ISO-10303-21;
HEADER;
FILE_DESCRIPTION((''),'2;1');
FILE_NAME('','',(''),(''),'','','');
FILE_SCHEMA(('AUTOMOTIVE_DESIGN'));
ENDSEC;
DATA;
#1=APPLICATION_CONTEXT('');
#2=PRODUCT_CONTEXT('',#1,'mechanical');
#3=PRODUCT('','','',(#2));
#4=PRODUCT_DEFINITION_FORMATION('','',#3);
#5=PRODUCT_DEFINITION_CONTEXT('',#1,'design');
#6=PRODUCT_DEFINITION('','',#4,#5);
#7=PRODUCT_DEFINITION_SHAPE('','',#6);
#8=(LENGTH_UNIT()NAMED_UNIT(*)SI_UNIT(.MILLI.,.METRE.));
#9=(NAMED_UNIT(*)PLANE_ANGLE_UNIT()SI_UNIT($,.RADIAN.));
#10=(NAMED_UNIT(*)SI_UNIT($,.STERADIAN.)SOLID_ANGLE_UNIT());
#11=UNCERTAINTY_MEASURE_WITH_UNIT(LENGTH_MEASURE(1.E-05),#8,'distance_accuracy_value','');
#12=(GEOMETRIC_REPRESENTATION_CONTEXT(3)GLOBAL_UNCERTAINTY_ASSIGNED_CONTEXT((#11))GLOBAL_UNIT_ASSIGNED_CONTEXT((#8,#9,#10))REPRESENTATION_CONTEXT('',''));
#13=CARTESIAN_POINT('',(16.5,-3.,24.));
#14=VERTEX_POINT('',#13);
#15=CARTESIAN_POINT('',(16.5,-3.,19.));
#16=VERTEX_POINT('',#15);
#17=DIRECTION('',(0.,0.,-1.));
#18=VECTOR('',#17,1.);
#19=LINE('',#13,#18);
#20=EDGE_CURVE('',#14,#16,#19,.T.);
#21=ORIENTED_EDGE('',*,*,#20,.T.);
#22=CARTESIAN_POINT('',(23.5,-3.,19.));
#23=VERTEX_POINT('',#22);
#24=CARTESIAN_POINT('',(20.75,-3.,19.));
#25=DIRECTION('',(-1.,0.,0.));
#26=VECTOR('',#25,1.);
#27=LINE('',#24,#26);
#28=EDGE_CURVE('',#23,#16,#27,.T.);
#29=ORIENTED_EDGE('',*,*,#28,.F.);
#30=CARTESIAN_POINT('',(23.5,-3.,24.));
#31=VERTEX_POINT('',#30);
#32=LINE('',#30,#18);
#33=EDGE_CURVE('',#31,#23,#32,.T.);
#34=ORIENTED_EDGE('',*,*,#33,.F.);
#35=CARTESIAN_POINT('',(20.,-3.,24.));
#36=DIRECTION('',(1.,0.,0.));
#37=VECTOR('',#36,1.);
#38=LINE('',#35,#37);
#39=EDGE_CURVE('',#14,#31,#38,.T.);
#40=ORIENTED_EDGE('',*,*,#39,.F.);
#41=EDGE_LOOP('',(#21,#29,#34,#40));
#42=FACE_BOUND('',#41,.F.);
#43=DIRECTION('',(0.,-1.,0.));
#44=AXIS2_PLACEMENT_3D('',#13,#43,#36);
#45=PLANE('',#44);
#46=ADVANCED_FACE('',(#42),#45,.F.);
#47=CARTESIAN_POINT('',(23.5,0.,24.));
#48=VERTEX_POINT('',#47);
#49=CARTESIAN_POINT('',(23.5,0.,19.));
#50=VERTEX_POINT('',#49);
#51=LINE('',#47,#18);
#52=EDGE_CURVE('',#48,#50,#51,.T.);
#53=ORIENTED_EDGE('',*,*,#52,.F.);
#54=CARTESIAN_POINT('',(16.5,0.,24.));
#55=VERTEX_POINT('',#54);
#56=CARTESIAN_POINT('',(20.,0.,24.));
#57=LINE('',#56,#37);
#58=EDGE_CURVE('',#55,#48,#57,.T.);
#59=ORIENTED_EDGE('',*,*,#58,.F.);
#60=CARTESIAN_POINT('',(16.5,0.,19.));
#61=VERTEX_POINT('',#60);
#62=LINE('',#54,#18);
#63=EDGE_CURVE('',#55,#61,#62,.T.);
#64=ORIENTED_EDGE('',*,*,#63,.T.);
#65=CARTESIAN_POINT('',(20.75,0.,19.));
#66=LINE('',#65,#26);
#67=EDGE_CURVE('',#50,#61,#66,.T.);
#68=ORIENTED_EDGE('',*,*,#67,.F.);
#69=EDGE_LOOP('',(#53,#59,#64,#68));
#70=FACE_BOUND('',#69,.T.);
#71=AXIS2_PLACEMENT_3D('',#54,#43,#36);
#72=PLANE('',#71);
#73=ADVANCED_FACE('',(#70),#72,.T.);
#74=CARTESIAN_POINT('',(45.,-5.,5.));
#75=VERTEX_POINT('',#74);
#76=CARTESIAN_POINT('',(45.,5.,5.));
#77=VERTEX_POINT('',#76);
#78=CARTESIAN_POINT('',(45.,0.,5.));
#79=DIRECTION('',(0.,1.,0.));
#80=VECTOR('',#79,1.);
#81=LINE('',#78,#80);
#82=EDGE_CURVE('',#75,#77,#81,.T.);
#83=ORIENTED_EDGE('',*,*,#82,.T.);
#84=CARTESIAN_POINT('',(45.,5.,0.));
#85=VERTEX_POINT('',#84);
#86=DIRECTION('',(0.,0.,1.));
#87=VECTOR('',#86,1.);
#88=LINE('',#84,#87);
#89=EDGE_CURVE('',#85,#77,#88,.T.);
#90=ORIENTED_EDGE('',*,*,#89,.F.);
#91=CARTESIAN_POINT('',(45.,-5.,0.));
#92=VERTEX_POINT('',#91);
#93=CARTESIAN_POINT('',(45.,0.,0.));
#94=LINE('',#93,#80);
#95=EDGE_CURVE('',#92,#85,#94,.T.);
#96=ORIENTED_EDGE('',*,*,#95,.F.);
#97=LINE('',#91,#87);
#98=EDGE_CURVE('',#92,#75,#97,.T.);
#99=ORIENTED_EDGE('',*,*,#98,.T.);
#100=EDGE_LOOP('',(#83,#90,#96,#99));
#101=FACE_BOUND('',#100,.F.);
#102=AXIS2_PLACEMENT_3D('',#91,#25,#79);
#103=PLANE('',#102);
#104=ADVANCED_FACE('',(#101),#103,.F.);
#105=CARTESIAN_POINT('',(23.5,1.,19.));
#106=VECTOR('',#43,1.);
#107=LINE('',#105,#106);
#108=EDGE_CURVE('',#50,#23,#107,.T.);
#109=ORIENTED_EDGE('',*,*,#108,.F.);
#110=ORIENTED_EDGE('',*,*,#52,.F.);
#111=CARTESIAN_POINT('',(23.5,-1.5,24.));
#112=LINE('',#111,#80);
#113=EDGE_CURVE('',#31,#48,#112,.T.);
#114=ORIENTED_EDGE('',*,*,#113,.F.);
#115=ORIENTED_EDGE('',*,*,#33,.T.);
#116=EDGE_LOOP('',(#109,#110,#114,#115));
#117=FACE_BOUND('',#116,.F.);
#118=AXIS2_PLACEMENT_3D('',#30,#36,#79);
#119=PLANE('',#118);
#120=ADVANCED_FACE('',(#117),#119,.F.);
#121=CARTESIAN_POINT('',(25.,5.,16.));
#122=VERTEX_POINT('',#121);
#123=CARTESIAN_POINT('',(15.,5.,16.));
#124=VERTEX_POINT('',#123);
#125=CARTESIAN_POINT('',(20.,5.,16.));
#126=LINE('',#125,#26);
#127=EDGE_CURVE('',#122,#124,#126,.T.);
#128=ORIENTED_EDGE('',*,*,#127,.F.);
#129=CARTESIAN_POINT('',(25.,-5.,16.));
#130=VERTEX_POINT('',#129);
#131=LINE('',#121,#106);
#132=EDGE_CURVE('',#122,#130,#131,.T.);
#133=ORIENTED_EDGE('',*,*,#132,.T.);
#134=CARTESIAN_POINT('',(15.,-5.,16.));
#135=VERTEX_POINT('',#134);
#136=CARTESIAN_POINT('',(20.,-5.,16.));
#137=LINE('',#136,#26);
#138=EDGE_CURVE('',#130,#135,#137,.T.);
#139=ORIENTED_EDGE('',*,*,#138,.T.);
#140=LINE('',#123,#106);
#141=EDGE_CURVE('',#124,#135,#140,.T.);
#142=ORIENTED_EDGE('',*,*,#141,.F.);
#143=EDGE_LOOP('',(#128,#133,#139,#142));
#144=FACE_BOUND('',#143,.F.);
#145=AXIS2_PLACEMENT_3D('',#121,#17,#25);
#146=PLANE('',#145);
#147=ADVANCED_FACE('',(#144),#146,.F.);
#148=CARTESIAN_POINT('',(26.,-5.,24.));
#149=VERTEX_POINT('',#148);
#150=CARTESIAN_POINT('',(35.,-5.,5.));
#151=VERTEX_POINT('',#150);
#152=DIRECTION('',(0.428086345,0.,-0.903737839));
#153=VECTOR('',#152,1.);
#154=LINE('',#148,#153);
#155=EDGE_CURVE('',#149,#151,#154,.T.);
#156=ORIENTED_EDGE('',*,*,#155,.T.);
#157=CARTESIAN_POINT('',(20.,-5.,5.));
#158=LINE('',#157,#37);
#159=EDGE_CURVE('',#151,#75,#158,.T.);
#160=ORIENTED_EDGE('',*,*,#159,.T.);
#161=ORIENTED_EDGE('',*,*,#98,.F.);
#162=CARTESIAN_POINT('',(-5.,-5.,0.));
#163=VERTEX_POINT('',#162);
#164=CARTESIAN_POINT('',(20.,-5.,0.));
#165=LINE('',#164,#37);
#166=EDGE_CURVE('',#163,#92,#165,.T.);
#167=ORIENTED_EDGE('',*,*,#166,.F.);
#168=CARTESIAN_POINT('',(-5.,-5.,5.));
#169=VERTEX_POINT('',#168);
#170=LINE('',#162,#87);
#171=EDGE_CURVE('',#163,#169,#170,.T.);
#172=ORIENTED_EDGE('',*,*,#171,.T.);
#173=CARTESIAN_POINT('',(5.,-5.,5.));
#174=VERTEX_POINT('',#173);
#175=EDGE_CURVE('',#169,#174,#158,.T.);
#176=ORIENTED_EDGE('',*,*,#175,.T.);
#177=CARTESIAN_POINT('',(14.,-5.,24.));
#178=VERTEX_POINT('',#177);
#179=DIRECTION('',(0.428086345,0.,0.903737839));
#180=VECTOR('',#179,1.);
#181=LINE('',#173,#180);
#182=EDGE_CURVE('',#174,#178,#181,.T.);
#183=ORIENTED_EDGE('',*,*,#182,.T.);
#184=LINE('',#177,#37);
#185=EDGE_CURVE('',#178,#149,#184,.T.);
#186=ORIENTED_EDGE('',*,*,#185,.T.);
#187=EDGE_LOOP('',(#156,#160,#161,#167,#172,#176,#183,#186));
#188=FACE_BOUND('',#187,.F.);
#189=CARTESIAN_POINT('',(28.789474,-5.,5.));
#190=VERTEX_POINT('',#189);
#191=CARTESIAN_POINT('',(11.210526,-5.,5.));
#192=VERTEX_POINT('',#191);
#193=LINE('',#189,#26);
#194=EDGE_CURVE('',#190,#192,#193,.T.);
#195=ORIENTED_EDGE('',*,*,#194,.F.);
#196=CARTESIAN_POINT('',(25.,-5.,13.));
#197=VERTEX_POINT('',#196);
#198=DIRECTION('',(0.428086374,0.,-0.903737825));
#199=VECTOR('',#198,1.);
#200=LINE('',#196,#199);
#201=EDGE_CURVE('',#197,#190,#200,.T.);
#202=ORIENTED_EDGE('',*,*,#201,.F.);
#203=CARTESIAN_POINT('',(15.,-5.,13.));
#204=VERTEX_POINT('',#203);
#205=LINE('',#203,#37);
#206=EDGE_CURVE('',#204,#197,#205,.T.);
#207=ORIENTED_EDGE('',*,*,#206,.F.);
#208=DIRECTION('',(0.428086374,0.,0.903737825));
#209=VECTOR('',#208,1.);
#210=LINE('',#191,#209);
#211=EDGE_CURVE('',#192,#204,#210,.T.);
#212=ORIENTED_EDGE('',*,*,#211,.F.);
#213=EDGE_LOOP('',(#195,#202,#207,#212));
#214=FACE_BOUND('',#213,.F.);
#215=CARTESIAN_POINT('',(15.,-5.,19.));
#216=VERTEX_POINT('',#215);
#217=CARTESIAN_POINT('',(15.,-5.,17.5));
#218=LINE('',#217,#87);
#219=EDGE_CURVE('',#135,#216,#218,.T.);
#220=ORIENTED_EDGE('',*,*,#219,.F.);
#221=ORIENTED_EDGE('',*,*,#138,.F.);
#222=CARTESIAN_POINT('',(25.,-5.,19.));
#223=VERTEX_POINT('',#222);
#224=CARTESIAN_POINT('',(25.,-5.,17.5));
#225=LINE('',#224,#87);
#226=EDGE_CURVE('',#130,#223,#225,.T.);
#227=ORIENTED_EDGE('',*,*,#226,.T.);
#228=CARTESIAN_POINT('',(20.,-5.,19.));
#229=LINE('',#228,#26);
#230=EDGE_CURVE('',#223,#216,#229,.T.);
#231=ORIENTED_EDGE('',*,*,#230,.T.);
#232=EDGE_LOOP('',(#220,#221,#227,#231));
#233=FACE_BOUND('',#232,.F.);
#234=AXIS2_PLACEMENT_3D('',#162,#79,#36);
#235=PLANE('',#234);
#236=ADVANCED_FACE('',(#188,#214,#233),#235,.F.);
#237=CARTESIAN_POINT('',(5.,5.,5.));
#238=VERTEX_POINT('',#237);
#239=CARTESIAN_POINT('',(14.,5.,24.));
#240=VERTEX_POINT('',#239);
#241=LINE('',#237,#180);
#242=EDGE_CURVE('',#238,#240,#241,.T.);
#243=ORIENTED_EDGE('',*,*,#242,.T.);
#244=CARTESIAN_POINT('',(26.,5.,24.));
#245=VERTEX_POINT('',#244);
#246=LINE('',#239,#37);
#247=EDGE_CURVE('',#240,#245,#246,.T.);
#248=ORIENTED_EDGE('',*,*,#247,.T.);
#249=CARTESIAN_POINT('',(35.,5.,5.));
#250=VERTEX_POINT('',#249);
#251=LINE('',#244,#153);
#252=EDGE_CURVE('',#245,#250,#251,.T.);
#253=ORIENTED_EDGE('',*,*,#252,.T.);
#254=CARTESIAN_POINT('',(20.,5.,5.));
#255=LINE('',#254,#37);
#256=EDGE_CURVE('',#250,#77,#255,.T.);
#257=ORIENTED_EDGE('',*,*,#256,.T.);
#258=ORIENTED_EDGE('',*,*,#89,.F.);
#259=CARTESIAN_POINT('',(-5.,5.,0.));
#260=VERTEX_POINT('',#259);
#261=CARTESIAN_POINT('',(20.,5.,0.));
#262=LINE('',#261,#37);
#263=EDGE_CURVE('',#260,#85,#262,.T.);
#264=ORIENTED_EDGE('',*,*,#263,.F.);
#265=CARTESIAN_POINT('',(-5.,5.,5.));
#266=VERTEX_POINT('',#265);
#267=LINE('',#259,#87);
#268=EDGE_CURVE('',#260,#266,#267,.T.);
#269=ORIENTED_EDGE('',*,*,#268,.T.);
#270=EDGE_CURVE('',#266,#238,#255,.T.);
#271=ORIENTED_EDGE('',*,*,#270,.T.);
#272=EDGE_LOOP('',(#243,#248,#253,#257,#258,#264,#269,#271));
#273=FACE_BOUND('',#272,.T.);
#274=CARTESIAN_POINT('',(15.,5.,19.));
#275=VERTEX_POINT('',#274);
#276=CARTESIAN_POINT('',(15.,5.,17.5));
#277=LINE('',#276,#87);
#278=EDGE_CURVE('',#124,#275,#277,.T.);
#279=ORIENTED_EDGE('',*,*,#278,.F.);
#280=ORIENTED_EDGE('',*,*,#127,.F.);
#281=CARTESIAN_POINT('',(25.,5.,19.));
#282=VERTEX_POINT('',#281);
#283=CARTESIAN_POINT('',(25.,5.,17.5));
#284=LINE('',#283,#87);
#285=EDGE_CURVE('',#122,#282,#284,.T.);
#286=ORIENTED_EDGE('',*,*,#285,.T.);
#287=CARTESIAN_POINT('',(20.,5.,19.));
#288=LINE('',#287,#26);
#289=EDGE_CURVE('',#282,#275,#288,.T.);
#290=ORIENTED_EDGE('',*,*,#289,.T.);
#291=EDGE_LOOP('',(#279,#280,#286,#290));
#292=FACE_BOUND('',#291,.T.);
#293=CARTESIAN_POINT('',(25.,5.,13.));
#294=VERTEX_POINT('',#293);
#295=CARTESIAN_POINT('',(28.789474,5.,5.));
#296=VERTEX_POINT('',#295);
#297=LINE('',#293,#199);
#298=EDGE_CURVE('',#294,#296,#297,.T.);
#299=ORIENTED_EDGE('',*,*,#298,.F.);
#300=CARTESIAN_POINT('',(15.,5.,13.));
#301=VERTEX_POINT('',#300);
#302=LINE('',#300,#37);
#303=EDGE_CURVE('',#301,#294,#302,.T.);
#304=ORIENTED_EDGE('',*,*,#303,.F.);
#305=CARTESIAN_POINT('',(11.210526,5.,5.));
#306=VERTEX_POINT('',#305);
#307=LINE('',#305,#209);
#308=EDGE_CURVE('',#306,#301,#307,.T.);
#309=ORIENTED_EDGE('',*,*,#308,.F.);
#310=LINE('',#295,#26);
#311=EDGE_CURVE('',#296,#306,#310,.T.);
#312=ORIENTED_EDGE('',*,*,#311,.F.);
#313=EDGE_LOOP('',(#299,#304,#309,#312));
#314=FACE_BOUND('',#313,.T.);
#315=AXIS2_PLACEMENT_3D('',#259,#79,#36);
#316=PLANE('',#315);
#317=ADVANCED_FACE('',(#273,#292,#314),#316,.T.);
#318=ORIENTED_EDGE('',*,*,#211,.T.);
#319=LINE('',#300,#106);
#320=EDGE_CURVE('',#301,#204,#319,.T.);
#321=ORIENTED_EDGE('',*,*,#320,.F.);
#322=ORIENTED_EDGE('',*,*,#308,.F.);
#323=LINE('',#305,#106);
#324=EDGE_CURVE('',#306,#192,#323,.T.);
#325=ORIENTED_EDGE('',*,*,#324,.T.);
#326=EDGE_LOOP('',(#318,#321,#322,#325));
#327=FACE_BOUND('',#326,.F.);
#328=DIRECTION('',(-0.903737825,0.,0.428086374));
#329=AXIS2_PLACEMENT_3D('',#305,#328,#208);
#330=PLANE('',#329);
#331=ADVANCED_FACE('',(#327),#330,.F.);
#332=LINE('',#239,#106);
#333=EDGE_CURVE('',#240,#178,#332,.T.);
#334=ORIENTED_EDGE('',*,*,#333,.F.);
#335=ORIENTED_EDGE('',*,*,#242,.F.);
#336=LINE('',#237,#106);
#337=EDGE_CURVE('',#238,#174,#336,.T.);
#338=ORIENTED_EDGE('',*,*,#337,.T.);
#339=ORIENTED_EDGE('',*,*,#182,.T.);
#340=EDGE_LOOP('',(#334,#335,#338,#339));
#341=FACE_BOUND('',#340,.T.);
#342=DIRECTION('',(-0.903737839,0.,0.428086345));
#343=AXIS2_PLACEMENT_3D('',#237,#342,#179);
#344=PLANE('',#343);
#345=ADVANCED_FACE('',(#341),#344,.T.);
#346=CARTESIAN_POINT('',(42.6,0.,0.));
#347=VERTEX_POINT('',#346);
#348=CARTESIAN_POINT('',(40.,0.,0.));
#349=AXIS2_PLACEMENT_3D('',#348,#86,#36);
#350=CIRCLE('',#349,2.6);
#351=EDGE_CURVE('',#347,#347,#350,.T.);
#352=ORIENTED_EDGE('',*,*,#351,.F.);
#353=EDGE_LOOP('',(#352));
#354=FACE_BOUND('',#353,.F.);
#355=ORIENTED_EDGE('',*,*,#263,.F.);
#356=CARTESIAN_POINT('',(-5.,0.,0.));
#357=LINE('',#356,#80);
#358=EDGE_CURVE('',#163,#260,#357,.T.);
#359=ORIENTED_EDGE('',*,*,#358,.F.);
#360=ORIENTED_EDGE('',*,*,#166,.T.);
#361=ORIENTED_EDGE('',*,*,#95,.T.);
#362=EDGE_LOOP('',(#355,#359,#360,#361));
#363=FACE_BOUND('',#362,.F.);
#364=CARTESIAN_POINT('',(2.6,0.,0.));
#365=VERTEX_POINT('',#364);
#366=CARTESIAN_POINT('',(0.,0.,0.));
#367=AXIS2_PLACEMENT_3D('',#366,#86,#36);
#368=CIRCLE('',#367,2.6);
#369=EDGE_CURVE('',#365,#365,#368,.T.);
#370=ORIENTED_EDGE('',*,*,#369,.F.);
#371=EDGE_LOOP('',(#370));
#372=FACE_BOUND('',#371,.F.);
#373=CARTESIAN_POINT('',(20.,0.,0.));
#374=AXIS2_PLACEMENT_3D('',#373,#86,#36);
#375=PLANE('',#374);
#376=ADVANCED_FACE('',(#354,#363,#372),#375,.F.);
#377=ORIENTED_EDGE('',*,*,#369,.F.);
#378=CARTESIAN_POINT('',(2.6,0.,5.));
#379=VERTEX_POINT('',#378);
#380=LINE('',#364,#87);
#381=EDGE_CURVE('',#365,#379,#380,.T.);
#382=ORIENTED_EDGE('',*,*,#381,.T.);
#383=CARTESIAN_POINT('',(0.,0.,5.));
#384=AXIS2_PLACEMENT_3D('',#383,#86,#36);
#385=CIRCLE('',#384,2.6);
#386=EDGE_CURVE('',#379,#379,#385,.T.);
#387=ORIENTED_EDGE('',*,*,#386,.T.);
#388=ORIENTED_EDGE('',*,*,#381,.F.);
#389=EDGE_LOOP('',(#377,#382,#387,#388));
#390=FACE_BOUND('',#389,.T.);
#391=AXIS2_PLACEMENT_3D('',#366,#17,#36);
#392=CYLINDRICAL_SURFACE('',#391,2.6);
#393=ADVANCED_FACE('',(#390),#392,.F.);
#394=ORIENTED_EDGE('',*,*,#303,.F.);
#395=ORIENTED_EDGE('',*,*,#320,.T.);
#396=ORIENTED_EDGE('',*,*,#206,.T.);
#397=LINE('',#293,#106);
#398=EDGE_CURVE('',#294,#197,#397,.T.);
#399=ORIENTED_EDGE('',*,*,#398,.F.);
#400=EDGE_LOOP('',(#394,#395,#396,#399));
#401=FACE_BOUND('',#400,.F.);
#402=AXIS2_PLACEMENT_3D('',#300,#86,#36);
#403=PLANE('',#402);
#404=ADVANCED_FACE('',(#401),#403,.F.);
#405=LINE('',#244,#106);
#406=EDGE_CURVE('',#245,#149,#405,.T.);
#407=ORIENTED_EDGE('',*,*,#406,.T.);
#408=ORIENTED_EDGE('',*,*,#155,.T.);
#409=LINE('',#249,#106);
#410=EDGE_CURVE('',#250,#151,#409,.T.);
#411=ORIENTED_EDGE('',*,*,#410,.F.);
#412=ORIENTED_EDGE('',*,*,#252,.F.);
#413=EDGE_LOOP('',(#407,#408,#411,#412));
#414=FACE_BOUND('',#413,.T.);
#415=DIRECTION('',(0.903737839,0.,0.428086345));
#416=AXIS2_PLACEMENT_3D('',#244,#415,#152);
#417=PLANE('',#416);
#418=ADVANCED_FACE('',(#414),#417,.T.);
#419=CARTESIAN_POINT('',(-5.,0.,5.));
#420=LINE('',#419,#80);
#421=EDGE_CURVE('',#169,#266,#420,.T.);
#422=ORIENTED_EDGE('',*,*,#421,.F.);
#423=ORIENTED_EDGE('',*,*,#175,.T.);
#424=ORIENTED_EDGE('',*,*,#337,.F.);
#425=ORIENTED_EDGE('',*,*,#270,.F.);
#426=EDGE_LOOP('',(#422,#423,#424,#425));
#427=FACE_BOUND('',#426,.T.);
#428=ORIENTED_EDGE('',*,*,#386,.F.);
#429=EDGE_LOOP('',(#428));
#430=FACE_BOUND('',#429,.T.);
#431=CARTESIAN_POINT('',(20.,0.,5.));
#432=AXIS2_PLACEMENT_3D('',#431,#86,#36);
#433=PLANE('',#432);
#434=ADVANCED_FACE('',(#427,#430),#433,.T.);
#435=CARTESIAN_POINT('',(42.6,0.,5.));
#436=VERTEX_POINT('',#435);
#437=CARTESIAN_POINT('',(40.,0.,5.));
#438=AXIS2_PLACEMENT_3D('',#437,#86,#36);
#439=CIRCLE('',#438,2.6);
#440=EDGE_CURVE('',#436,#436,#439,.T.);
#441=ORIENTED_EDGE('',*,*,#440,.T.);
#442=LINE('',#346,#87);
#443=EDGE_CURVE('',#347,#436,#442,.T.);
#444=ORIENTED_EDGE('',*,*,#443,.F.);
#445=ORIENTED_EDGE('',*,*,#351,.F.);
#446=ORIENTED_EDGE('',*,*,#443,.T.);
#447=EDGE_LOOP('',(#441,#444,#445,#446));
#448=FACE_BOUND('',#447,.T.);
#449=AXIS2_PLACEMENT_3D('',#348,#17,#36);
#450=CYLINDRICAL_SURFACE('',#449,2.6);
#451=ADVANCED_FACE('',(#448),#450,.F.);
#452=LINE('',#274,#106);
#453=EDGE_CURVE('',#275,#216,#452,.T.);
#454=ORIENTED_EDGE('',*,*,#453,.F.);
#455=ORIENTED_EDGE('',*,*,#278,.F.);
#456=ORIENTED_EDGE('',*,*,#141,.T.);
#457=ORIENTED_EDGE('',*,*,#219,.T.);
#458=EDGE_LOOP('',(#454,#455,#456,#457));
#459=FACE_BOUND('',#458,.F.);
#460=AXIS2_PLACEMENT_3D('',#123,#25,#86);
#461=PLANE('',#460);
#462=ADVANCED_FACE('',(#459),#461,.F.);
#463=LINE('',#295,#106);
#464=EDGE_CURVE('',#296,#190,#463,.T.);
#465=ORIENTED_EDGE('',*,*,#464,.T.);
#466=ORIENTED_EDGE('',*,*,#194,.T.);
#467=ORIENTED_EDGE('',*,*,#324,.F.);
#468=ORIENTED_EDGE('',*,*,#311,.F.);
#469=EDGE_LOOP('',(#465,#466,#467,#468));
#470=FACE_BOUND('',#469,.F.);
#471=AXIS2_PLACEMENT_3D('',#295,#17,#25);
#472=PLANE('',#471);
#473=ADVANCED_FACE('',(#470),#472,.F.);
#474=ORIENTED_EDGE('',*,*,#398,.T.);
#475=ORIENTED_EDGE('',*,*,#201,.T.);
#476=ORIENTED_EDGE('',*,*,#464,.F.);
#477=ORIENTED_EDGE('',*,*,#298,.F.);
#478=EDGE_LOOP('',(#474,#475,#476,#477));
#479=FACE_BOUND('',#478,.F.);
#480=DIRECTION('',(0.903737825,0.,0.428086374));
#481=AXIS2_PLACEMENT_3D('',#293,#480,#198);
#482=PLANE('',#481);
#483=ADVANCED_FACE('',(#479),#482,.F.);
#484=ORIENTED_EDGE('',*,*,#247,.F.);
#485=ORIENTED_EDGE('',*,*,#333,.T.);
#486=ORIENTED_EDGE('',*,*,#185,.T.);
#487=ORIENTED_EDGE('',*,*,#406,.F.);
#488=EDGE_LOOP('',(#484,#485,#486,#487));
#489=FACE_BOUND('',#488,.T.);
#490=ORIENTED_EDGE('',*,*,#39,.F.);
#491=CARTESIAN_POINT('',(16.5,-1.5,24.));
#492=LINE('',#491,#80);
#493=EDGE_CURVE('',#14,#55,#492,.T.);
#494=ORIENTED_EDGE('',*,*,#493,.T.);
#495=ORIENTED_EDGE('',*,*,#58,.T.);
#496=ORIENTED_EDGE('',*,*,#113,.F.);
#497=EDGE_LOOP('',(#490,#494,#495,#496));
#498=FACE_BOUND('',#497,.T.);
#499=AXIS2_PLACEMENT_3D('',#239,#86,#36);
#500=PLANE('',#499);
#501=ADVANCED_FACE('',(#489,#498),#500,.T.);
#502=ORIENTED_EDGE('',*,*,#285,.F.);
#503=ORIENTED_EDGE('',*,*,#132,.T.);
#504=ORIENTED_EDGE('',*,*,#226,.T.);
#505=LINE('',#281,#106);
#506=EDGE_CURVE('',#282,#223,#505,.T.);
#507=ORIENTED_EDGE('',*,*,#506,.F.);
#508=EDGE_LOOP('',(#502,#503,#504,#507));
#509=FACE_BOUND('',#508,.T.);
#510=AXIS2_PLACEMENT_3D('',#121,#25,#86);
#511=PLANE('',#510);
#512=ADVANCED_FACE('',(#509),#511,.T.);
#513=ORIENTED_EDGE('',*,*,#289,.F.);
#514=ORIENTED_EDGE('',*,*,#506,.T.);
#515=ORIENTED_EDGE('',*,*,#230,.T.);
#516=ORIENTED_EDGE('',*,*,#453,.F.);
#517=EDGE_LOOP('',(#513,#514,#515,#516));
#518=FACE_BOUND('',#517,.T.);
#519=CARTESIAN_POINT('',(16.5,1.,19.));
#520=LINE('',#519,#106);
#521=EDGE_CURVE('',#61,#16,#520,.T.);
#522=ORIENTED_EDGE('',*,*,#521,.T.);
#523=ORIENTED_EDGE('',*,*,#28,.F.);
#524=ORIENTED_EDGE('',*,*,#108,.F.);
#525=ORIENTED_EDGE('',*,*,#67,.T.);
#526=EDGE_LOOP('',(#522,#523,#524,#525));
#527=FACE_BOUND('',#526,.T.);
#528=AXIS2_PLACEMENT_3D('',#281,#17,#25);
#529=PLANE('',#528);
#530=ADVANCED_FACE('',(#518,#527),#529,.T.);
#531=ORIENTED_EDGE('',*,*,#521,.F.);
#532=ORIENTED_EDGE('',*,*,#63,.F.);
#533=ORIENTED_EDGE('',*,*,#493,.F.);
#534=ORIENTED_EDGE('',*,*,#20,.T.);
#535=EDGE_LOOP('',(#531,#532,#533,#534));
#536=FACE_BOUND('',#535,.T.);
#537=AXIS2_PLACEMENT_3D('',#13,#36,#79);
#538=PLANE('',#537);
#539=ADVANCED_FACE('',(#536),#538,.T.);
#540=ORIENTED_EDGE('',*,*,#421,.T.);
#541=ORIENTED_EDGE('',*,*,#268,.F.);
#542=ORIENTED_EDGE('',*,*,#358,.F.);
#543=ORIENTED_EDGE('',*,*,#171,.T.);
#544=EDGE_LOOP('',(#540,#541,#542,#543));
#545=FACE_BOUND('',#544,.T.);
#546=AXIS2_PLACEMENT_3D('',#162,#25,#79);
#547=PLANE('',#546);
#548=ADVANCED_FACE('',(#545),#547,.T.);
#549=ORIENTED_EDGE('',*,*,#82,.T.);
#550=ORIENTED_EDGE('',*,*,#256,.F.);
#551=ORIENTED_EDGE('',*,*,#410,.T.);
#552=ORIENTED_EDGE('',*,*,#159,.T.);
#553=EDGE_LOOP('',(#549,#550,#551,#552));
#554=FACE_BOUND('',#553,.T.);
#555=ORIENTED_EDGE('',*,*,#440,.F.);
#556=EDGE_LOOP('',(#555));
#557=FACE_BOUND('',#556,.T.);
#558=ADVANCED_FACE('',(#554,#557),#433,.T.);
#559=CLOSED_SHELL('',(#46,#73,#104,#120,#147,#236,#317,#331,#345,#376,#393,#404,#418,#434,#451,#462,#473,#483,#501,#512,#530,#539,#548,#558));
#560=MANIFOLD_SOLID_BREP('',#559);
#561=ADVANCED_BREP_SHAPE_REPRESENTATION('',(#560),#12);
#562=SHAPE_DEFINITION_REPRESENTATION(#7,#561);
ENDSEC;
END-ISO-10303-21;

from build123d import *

# Parameters (mm, degrees)
F0_W     = 50
F0_H     = 10
F0_R     = 2.6
F1_DEPTH = 5
F2_W     = 10
F2_H     = 3
F3_DEPTH = 10
F4_W     = 7
F4_H     = 3
F5_DEPTH = 8
F7_DEPTH = 10


with BuildPart() as f1:
    # F0 (on Top) → F1 (new body)
    with BuildSketch(Plane.XY):
        with Locations((20, 0)):
            Rectangle(F0_W, F0_H)
        Circle(F0_R, mode=Mode.SUBTRACT)
        with Locations((40, 0)):
            Circle(F0_R, mode=Mode.SUBTRACT)
    extrude(amount=F1_DEPTH)

    # F2 (on face) → F3 (join)
    with BuildSketch(Plane(origin=(0, 5, 0), x_dir=(-1, 0, 0), z_dir=(0, 1, 0))):
        Polygon((-35, 5), (-5, 5), (-14, 24), (-20, 24), (-26, 24), align=None)
        with Locations((-20, 17.5)):
            Rectangle(F2_W, F2_H, mode=Mode.SUBTRACT)
    extrude(amount=-F3_DEPTH)

    # F4 (on face) → F5 (cut)
    with BuildSketch(Plane.XY.offset(24)):
        with Locations((20, -1.5)):
            Rectangle(F4_W, F4_H)
    extrude(amount=-F5_DEPTH, mode=Mode.SUBTRACT)

    # F6 (on face) → F7 (cut, through all)
    with BuildSketch(Plane(origin=(0, 5, 0), x_dir=(-1, 0, 0), z_dir=(0, 1, 0))):
        Polygon((-15, 13), (-25, 13), (-28.789474, 5), (-11.210526, 5), align=None)
    extrude(amount=-F7_DEPTH, mode=Mode.SUBTRACT)


solid = f1.part
